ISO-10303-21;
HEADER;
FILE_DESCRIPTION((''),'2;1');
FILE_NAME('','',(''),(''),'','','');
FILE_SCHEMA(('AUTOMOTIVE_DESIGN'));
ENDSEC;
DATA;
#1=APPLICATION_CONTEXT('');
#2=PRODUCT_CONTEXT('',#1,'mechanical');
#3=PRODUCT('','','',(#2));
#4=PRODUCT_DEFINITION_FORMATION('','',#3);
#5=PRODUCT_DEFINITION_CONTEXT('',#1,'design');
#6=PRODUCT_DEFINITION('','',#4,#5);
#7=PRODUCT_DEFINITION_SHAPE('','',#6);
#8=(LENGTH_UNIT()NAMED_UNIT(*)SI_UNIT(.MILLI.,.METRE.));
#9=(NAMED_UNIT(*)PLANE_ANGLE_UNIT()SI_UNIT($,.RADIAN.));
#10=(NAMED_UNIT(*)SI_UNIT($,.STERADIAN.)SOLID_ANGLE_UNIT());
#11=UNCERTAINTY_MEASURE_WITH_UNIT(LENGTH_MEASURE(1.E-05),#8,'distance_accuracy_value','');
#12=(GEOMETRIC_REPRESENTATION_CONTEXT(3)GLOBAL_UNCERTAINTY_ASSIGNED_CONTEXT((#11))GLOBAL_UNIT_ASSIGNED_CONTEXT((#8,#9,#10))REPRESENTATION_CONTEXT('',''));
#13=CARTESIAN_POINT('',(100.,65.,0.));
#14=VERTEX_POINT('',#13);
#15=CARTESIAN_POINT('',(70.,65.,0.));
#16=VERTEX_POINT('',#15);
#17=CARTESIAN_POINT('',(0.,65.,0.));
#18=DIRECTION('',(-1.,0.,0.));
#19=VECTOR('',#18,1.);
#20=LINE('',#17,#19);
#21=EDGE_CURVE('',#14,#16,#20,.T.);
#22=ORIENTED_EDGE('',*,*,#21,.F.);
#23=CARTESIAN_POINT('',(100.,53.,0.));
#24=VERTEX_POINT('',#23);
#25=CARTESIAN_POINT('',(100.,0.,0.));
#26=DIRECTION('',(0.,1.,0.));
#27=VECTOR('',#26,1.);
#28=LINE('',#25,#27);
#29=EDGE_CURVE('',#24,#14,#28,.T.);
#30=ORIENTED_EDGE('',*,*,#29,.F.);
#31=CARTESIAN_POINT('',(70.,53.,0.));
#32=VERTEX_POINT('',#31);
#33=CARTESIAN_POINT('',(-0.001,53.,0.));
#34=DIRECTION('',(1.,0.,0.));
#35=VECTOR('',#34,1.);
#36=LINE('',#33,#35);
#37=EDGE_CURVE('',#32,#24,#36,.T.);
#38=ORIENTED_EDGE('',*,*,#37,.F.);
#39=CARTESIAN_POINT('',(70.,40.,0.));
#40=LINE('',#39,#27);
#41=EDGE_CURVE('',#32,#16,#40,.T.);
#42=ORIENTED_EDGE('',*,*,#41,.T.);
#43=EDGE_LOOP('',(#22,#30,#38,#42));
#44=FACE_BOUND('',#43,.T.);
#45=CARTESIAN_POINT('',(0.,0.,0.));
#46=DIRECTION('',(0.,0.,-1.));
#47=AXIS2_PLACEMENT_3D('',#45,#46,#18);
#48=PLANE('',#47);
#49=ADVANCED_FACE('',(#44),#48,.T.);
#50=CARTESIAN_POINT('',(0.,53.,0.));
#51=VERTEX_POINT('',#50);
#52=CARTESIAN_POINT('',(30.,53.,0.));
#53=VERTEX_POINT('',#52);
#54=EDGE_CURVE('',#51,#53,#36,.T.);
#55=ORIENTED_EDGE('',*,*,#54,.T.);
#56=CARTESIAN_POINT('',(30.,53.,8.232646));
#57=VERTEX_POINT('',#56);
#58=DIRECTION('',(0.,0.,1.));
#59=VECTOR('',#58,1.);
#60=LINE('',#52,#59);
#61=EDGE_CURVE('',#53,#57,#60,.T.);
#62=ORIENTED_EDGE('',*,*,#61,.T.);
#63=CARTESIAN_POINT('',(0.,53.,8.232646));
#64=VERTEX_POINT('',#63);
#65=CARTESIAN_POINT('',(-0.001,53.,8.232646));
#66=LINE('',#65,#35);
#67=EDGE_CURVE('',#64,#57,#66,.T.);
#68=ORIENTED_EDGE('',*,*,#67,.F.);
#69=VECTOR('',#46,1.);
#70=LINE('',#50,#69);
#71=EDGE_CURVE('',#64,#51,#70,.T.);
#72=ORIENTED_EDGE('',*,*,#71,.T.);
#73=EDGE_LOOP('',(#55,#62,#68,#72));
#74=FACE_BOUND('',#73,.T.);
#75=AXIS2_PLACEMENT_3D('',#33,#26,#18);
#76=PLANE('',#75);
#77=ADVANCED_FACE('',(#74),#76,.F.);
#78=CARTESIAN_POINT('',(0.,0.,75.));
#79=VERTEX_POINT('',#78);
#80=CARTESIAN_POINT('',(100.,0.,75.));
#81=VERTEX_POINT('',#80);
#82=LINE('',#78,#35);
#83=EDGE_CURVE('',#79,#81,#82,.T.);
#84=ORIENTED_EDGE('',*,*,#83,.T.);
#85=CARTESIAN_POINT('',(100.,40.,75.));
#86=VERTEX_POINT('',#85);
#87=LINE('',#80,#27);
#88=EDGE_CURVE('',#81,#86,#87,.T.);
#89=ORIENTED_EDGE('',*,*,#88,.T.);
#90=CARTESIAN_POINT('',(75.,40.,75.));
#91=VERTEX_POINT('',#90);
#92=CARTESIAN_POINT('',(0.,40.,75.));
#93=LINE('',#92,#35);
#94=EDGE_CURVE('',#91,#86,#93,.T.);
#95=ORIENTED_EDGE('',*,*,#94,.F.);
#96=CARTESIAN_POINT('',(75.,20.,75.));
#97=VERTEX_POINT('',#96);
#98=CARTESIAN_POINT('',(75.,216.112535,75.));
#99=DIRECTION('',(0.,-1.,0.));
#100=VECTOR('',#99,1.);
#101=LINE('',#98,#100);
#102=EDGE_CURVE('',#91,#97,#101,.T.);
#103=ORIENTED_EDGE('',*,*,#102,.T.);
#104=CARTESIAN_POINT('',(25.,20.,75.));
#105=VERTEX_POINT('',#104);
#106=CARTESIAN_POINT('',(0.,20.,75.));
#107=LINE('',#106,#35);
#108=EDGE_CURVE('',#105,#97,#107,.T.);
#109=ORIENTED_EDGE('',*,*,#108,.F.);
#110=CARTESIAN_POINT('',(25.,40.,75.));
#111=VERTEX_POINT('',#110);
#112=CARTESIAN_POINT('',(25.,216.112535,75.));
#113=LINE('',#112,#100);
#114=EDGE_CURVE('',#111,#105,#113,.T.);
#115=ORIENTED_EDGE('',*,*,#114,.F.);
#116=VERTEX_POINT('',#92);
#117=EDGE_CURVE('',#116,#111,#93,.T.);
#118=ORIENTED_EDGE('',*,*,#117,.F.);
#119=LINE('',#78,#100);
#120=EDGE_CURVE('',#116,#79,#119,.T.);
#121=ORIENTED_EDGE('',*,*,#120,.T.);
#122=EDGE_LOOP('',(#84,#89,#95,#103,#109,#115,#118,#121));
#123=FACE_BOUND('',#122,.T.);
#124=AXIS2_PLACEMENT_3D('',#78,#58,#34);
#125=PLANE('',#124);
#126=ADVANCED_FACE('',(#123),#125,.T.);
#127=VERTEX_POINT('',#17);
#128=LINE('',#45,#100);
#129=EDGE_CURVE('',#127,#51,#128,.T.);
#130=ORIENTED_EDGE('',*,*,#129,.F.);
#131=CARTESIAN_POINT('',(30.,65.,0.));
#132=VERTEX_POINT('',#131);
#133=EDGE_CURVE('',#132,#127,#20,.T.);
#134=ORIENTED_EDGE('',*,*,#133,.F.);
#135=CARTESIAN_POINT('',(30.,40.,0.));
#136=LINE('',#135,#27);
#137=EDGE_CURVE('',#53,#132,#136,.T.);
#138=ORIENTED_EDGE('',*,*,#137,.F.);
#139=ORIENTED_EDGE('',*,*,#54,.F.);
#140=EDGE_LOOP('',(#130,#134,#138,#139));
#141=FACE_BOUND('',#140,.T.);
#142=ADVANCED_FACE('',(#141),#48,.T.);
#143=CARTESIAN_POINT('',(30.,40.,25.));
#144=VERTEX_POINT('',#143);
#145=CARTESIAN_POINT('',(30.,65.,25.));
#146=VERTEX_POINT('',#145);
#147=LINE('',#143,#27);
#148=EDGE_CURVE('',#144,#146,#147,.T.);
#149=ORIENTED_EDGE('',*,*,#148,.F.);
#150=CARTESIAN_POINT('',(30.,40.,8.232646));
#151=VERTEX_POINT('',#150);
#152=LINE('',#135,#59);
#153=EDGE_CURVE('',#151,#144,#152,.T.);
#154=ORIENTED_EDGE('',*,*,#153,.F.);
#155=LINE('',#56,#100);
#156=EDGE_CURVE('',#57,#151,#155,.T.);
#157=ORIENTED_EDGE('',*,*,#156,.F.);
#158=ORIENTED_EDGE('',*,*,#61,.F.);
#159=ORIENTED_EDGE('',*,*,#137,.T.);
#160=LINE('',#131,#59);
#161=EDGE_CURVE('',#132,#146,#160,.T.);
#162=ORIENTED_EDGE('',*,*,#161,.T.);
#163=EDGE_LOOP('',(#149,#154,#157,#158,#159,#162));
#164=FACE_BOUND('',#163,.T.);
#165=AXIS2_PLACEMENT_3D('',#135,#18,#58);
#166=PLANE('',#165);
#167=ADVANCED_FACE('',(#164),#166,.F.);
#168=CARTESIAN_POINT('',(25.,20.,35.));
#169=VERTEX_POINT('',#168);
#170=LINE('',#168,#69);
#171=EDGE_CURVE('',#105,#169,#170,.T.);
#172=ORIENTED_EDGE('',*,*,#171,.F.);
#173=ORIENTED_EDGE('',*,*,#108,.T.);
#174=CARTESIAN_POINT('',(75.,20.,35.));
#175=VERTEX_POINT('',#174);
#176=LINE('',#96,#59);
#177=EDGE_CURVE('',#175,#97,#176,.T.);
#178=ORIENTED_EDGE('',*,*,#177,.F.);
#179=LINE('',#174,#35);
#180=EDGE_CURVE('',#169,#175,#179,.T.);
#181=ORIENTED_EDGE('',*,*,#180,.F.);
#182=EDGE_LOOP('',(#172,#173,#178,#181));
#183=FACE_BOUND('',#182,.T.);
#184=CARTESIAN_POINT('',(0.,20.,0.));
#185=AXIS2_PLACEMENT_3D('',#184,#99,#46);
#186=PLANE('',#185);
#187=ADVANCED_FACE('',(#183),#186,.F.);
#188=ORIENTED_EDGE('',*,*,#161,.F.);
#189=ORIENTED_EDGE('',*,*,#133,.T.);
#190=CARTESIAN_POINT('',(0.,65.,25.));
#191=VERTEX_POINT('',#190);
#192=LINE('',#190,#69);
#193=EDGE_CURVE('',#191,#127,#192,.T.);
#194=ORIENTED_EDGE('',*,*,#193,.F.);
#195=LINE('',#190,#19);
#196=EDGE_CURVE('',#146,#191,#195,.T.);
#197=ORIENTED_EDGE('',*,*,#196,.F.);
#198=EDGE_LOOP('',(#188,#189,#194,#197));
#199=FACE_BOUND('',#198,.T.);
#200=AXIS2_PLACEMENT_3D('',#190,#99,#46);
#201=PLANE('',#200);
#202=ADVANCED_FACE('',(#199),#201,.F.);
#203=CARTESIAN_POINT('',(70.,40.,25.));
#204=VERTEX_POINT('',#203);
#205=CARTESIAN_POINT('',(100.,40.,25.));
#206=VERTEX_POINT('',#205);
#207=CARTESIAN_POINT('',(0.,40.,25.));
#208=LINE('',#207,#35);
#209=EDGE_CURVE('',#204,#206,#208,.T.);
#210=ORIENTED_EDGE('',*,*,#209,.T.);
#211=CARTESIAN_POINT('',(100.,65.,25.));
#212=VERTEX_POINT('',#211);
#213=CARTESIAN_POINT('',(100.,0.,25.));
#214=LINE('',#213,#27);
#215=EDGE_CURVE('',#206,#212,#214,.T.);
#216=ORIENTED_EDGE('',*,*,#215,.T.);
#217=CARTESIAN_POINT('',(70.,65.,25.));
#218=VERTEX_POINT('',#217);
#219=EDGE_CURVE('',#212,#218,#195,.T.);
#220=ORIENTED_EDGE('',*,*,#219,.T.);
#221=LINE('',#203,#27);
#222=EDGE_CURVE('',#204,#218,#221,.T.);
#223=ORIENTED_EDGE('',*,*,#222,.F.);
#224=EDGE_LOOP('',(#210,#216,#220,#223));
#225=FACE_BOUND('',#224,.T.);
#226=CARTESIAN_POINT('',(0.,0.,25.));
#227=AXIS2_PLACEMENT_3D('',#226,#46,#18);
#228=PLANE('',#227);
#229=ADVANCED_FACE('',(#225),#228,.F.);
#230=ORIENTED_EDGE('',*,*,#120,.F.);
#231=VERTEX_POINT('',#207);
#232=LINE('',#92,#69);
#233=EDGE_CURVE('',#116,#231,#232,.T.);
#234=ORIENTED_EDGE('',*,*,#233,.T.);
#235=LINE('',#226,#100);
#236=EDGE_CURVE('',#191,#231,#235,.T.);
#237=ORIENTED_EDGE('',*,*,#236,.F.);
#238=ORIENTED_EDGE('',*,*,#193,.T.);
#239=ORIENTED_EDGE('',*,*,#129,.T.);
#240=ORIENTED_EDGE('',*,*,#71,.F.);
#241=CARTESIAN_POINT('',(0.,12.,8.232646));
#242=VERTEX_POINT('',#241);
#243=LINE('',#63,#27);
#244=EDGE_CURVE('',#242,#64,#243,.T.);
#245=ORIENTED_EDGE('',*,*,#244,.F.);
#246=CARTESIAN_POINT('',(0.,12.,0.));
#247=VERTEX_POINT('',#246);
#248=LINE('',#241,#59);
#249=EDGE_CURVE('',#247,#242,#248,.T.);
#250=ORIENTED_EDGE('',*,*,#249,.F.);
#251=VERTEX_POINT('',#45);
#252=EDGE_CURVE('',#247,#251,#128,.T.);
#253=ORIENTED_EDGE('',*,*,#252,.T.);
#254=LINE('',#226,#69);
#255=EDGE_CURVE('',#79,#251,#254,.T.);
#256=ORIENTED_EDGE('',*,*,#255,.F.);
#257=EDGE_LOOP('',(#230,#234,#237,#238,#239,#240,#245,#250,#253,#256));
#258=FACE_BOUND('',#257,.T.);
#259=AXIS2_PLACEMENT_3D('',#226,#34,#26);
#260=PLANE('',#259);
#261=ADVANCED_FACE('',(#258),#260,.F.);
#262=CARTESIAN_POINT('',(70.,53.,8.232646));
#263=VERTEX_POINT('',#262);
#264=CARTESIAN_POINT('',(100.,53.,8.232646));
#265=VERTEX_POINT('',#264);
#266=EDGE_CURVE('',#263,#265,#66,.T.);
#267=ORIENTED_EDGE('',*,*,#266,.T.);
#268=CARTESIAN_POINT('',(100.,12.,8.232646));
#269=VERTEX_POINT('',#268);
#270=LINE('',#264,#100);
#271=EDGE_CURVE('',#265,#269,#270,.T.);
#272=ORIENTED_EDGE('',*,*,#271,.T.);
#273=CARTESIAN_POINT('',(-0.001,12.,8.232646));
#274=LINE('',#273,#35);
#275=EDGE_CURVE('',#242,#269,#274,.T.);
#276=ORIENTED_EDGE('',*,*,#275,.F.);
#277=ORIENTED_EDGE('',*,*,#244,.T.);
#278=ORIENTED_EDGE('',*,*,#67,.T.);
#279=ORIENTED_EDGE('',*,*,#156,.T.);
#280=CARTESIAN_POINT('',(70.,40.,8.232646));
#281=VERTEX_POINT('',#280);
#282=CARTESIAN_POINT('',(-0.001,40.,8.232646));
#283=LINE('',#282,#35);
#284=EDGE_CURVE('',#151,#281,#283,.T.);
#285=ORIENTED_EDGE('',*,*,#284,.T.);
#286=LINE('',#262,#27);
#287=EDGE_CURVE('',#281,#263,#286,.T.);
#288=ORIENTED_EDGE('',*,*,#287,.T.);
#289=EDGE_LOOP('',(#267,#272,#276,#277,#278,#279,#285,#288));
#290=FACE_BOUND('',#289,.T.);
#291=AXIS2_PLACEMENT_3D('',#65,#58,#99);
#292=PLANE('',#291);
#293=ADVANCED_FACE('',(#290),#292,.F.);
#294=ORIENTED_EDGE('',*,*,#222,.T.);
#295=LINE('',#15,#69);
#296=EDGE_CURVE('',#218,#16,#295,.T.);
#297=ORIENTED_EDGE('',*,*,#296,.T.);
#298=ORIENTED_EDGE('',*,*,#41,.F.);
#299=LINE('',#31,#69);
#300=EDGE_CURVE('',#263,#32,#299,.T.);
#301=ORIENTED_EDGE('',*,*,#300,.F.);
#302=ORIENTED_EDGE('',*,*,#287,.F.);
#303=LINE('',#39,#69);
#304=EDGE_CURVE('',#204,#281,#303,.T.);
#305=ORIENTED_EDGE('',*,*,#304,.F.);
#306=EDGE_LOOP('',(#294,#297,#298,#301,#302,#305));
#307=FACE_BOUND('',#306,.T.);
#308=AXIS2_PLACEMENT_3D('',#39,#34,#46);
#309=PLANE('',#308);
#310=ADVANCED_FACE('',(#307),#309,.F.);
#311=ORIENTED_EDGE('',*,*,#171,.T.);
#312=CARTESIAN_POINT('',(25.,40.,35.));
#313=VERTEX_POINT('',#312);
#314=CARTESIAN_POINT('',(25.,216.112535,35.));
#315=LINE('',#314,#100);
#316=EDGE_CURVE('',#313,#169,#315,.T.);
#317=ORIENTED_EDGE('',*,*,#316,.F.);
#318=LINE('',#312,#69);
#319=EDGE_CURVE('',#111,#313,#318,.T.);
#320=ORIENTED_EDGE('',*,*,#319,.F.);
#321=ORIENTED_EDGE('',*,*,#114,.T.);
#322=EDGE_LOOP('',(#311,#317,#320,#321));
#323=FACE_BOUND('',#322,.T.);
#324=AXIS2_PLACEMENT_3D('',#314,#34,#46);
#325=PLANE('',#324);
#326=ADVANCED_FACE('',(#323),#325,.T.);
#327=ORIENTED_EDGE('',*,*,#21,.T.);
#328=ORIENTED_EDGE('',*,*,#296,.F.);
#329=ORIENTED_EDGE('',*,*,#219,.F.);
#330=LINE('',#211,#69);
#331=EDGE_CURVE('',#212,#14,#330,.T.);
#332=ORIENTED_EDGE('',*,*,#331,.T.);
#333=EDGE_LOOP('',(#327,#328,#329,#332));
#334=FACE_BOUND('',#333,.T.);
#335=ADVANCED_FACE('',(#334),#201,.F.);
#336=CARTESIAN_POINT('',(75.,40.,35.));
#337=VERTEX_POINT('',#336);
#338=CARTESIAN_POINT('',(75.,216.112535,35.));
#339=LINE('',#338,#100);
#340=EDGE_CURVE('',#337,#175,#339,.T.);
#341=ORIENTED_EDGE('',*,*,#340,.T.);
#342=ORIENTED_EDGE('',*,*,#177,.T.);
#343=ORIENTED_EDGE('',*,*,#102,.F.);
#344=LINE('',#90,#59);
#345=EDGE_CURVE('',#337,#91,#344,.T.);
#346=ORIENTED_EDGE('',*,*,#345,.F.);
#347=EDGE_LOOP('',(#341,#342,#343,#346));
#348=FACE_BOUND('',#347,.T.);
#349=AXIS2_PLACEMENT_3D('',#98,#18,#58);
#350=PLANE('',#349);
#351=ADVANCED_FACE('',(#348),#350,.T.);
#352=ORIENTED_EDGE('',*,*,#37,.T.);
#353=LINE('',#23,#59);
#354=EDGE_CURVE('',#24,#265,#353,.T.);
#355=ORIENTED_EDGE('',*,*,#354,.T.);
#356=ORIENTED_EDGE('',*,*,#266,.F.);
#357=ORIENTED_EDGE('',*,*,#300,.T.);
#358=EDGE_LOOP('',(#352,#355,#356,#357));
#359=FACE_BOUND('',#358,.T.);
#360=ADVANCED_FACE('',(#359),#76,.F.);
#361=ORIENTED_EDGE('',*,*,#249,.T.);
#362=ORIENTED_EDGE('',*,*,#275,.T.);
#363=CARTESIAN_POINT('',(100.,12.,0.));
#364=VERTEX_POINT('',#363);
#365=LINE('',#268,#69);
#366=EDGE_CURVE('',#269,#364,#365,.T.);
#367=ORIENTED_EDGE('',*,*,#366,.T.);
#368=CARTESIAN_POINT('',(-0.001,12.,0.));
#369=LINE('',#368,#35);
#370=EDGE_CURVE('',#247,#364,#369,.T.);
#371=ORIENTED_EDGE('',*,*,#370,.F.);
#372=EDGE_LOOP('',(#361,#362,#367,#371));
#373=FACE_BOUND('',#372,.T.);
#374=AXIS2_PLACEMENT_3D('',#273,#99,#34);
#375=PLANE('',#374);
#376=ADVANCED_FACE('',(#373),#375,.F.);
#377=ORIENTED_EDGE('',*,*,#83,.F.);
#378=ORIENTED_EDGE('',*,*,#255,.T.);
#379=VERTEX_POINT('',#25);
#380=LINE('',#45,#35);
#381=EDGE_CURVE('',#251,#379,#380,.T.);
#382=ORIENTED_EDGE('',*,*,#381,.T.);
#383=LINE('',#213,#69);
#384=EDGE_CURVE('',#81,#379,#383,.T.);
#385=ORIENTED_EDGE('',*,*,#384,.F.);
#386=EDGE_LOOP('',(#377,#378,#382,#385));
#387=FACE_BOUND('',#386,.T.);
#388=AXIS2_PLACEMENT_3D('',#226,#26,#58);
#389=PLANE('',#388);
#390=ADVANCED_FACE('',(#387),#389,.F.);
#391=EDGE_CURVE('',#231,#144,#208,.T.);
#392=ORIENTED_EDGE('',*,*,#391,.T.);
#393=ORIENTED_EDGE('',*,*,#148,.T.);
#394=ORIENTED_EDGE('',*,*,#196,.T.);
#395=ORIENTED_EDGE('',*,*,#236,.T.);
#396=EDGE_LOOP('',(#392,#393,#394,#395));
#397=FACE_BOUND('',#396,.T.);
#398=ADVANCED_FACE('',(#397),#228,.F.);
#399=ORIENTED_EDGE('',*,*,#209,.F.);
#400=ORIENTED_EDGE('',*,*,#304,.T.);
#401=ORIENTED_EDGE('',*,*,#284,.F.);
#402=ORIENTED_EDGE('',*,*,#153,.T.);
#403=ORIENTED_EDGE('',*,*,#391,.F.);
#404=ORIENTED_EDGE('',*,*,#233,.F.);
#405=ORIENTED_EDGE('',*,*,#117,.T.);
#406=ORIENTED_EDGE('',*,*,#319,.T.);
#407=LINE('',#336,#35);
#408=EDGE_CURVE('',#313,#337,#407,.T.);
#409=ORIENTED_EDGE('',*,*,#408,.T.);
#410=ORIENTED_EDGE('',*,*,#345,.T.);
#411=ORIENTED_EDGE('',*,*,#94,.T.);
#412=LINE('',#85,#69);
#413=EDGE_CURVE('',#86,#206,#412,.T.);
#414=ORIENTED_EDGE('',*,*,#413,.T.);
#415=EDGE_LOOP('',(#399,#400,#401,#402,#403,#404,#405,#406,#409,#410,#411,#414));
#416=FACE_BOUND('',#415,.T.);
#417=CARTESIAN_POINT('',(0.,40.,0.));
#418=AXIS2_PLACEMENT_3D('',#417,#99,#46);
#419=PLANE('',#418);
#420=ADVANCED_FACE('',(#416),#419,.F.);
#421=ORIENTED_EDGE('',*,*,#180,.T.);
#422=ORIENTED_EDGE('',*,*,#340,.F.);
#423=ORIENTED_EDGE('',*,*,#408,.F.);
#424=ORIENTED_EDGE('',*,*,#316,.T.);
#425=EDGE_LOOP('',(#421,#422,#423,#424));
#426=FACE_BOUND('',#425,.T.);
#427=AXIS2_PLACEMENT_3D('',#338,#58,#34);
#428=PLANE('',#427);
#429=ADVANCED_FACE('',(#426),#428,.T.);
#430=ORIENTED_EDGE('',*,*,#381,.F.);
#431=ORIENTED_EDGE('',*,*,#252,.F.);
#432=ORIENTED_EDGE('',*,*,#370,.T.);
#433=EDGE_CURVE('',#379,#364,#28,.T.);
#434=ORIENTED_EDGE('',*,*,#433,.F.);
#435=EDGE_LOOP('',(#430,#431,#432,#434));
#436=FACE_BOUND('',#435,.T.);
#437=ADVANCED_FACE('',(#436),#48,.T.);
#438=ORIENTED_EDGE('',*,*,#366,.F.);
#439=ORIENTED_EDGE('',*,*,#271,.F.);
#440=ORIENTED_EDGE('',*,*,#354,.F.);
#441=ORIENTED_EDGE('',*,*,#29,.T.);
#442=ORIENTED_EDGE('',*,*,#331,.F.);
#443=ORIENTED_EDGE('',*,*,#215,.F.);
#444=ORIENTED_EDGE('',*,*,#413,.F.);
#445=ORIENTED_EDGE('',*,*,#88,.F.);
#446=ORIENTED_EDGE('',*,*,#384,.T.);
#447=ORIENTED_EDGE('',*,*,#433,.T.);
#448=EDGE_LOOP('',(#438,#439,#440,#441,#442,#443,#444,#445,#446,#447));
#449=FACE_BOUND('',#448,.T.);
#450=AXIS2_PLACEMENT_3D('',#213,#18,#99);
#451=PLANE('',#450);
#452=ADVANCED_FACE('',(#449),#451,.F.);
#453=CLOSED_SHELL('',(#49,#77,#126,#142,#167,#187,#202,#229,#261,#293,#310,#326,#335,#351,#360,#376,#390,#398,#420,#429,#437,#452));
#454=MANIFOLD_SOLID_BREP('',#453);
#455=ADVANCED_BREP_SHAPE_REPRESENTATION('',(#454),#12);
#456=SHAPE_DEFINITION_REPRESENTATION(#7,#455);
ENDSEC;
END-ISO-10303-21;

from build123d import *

# Parameters (mm, degrees)
SKETCH1_W               = 100
SKETCH1_H               = 65
BOSS_EXTRUDE1_DEPTH     = 25
CUT_EXTRUDE1_REACH      = 123.861
SKETCH2_W               = 8.232646472
SKETCH2_H               = 41
SKETCH3_W               = 40
SKETCH3_H               = 25
CUT_EXTRUDE2_DEPTH      = 25
BOSS_EXTRUDE2_DEPTH     = 50
CUT_EXTRUDE3_DEPTH      = 132.244047484
CUT_EXTRUDE3_DEPTH_BACK = 20


with BuildPart() as part:
    # Sketch1 → Boss-Extrude1 (new body)
    with BuildSketch(Plane.XY):
        with Locations((50, 32.5)):
            Rectangle(SKETCH1_W, SKETCH1_H)
    extrude(amount=BOSS_EXTRUDE1_DEPTH)

    # Sketch2 → Cut-Extrude1 (cut, up to next)
    with BuildSketch(Plane(origin=(100, 0, 0), x_dir=(0, 0, -1), z_dir=(1, 0, 0)), mode=Mode.PRIVATE) as cut_extrude1_sk1:
        with Locations((-4.116323236, 32.5)):
            Rectangle(SKETCH2_W, SKETCH2_H)
    cut_extrude1_tool1 = extrude(cut_extrude1_sk1.sketch, amount=-CUT_EXTRUDE1_REACH, mode=Mode.PRIVATE) & part.part
    add(cut_extrude1_tool1.solids().sort_by_distance((100, 32.5, 4.116323))[0], mode=Mode.SUBTRACT)

    # Sketch3 → Cut-Extrude2 (cut)
    with BuildSketch(Plane(origin=(0, 65, 0), x_dir=(1, 0, 0), z_dir=(0, 1, 0))):
        with Locations((50, -12.5)):
            Rectangle(SKETCH3_W, SKETCH3_H)
    extrude(amount=-CUT_EXTRUDE2_DEPTH, mode=Mode.SUBTRACT)

    # Sketch4 → Boss-Extrude2 (add)
    with BuildSketch(Plane.XY.offset(25)):
        Polygon((30, 40), (0, 40), (0, 0), (100, 0), (100, 40), (70, 40), align=None)
    extrude(amount=BOSS_EXTRUDE2_DEPTH)

    # Sketch6 → Cut-Extrude3 (cut, two sides: drawn at the far end of the back side and taken through both)
    with BuildSketch(Plane(origin=(0, 40, 0), x_dir=(1, 0, 0), z_dir=(0, 1, 0)).offset(-CUT_EXTRUDE3_DEPTH_BACK)):
        Polygon((75, -297.132034356), (75, -75), (75, -35), (25, -35), (25, -75), (25, -297.132034356), (25, -741.396103068), (75, -741.396103068), align=None)
    extrude(amount=CUT_EXTRUDE3_DEPTH + CUT_EXTRUDE3_DEPTH_BACK, mode=Mode.SUBTRACT)


solid = part.part
